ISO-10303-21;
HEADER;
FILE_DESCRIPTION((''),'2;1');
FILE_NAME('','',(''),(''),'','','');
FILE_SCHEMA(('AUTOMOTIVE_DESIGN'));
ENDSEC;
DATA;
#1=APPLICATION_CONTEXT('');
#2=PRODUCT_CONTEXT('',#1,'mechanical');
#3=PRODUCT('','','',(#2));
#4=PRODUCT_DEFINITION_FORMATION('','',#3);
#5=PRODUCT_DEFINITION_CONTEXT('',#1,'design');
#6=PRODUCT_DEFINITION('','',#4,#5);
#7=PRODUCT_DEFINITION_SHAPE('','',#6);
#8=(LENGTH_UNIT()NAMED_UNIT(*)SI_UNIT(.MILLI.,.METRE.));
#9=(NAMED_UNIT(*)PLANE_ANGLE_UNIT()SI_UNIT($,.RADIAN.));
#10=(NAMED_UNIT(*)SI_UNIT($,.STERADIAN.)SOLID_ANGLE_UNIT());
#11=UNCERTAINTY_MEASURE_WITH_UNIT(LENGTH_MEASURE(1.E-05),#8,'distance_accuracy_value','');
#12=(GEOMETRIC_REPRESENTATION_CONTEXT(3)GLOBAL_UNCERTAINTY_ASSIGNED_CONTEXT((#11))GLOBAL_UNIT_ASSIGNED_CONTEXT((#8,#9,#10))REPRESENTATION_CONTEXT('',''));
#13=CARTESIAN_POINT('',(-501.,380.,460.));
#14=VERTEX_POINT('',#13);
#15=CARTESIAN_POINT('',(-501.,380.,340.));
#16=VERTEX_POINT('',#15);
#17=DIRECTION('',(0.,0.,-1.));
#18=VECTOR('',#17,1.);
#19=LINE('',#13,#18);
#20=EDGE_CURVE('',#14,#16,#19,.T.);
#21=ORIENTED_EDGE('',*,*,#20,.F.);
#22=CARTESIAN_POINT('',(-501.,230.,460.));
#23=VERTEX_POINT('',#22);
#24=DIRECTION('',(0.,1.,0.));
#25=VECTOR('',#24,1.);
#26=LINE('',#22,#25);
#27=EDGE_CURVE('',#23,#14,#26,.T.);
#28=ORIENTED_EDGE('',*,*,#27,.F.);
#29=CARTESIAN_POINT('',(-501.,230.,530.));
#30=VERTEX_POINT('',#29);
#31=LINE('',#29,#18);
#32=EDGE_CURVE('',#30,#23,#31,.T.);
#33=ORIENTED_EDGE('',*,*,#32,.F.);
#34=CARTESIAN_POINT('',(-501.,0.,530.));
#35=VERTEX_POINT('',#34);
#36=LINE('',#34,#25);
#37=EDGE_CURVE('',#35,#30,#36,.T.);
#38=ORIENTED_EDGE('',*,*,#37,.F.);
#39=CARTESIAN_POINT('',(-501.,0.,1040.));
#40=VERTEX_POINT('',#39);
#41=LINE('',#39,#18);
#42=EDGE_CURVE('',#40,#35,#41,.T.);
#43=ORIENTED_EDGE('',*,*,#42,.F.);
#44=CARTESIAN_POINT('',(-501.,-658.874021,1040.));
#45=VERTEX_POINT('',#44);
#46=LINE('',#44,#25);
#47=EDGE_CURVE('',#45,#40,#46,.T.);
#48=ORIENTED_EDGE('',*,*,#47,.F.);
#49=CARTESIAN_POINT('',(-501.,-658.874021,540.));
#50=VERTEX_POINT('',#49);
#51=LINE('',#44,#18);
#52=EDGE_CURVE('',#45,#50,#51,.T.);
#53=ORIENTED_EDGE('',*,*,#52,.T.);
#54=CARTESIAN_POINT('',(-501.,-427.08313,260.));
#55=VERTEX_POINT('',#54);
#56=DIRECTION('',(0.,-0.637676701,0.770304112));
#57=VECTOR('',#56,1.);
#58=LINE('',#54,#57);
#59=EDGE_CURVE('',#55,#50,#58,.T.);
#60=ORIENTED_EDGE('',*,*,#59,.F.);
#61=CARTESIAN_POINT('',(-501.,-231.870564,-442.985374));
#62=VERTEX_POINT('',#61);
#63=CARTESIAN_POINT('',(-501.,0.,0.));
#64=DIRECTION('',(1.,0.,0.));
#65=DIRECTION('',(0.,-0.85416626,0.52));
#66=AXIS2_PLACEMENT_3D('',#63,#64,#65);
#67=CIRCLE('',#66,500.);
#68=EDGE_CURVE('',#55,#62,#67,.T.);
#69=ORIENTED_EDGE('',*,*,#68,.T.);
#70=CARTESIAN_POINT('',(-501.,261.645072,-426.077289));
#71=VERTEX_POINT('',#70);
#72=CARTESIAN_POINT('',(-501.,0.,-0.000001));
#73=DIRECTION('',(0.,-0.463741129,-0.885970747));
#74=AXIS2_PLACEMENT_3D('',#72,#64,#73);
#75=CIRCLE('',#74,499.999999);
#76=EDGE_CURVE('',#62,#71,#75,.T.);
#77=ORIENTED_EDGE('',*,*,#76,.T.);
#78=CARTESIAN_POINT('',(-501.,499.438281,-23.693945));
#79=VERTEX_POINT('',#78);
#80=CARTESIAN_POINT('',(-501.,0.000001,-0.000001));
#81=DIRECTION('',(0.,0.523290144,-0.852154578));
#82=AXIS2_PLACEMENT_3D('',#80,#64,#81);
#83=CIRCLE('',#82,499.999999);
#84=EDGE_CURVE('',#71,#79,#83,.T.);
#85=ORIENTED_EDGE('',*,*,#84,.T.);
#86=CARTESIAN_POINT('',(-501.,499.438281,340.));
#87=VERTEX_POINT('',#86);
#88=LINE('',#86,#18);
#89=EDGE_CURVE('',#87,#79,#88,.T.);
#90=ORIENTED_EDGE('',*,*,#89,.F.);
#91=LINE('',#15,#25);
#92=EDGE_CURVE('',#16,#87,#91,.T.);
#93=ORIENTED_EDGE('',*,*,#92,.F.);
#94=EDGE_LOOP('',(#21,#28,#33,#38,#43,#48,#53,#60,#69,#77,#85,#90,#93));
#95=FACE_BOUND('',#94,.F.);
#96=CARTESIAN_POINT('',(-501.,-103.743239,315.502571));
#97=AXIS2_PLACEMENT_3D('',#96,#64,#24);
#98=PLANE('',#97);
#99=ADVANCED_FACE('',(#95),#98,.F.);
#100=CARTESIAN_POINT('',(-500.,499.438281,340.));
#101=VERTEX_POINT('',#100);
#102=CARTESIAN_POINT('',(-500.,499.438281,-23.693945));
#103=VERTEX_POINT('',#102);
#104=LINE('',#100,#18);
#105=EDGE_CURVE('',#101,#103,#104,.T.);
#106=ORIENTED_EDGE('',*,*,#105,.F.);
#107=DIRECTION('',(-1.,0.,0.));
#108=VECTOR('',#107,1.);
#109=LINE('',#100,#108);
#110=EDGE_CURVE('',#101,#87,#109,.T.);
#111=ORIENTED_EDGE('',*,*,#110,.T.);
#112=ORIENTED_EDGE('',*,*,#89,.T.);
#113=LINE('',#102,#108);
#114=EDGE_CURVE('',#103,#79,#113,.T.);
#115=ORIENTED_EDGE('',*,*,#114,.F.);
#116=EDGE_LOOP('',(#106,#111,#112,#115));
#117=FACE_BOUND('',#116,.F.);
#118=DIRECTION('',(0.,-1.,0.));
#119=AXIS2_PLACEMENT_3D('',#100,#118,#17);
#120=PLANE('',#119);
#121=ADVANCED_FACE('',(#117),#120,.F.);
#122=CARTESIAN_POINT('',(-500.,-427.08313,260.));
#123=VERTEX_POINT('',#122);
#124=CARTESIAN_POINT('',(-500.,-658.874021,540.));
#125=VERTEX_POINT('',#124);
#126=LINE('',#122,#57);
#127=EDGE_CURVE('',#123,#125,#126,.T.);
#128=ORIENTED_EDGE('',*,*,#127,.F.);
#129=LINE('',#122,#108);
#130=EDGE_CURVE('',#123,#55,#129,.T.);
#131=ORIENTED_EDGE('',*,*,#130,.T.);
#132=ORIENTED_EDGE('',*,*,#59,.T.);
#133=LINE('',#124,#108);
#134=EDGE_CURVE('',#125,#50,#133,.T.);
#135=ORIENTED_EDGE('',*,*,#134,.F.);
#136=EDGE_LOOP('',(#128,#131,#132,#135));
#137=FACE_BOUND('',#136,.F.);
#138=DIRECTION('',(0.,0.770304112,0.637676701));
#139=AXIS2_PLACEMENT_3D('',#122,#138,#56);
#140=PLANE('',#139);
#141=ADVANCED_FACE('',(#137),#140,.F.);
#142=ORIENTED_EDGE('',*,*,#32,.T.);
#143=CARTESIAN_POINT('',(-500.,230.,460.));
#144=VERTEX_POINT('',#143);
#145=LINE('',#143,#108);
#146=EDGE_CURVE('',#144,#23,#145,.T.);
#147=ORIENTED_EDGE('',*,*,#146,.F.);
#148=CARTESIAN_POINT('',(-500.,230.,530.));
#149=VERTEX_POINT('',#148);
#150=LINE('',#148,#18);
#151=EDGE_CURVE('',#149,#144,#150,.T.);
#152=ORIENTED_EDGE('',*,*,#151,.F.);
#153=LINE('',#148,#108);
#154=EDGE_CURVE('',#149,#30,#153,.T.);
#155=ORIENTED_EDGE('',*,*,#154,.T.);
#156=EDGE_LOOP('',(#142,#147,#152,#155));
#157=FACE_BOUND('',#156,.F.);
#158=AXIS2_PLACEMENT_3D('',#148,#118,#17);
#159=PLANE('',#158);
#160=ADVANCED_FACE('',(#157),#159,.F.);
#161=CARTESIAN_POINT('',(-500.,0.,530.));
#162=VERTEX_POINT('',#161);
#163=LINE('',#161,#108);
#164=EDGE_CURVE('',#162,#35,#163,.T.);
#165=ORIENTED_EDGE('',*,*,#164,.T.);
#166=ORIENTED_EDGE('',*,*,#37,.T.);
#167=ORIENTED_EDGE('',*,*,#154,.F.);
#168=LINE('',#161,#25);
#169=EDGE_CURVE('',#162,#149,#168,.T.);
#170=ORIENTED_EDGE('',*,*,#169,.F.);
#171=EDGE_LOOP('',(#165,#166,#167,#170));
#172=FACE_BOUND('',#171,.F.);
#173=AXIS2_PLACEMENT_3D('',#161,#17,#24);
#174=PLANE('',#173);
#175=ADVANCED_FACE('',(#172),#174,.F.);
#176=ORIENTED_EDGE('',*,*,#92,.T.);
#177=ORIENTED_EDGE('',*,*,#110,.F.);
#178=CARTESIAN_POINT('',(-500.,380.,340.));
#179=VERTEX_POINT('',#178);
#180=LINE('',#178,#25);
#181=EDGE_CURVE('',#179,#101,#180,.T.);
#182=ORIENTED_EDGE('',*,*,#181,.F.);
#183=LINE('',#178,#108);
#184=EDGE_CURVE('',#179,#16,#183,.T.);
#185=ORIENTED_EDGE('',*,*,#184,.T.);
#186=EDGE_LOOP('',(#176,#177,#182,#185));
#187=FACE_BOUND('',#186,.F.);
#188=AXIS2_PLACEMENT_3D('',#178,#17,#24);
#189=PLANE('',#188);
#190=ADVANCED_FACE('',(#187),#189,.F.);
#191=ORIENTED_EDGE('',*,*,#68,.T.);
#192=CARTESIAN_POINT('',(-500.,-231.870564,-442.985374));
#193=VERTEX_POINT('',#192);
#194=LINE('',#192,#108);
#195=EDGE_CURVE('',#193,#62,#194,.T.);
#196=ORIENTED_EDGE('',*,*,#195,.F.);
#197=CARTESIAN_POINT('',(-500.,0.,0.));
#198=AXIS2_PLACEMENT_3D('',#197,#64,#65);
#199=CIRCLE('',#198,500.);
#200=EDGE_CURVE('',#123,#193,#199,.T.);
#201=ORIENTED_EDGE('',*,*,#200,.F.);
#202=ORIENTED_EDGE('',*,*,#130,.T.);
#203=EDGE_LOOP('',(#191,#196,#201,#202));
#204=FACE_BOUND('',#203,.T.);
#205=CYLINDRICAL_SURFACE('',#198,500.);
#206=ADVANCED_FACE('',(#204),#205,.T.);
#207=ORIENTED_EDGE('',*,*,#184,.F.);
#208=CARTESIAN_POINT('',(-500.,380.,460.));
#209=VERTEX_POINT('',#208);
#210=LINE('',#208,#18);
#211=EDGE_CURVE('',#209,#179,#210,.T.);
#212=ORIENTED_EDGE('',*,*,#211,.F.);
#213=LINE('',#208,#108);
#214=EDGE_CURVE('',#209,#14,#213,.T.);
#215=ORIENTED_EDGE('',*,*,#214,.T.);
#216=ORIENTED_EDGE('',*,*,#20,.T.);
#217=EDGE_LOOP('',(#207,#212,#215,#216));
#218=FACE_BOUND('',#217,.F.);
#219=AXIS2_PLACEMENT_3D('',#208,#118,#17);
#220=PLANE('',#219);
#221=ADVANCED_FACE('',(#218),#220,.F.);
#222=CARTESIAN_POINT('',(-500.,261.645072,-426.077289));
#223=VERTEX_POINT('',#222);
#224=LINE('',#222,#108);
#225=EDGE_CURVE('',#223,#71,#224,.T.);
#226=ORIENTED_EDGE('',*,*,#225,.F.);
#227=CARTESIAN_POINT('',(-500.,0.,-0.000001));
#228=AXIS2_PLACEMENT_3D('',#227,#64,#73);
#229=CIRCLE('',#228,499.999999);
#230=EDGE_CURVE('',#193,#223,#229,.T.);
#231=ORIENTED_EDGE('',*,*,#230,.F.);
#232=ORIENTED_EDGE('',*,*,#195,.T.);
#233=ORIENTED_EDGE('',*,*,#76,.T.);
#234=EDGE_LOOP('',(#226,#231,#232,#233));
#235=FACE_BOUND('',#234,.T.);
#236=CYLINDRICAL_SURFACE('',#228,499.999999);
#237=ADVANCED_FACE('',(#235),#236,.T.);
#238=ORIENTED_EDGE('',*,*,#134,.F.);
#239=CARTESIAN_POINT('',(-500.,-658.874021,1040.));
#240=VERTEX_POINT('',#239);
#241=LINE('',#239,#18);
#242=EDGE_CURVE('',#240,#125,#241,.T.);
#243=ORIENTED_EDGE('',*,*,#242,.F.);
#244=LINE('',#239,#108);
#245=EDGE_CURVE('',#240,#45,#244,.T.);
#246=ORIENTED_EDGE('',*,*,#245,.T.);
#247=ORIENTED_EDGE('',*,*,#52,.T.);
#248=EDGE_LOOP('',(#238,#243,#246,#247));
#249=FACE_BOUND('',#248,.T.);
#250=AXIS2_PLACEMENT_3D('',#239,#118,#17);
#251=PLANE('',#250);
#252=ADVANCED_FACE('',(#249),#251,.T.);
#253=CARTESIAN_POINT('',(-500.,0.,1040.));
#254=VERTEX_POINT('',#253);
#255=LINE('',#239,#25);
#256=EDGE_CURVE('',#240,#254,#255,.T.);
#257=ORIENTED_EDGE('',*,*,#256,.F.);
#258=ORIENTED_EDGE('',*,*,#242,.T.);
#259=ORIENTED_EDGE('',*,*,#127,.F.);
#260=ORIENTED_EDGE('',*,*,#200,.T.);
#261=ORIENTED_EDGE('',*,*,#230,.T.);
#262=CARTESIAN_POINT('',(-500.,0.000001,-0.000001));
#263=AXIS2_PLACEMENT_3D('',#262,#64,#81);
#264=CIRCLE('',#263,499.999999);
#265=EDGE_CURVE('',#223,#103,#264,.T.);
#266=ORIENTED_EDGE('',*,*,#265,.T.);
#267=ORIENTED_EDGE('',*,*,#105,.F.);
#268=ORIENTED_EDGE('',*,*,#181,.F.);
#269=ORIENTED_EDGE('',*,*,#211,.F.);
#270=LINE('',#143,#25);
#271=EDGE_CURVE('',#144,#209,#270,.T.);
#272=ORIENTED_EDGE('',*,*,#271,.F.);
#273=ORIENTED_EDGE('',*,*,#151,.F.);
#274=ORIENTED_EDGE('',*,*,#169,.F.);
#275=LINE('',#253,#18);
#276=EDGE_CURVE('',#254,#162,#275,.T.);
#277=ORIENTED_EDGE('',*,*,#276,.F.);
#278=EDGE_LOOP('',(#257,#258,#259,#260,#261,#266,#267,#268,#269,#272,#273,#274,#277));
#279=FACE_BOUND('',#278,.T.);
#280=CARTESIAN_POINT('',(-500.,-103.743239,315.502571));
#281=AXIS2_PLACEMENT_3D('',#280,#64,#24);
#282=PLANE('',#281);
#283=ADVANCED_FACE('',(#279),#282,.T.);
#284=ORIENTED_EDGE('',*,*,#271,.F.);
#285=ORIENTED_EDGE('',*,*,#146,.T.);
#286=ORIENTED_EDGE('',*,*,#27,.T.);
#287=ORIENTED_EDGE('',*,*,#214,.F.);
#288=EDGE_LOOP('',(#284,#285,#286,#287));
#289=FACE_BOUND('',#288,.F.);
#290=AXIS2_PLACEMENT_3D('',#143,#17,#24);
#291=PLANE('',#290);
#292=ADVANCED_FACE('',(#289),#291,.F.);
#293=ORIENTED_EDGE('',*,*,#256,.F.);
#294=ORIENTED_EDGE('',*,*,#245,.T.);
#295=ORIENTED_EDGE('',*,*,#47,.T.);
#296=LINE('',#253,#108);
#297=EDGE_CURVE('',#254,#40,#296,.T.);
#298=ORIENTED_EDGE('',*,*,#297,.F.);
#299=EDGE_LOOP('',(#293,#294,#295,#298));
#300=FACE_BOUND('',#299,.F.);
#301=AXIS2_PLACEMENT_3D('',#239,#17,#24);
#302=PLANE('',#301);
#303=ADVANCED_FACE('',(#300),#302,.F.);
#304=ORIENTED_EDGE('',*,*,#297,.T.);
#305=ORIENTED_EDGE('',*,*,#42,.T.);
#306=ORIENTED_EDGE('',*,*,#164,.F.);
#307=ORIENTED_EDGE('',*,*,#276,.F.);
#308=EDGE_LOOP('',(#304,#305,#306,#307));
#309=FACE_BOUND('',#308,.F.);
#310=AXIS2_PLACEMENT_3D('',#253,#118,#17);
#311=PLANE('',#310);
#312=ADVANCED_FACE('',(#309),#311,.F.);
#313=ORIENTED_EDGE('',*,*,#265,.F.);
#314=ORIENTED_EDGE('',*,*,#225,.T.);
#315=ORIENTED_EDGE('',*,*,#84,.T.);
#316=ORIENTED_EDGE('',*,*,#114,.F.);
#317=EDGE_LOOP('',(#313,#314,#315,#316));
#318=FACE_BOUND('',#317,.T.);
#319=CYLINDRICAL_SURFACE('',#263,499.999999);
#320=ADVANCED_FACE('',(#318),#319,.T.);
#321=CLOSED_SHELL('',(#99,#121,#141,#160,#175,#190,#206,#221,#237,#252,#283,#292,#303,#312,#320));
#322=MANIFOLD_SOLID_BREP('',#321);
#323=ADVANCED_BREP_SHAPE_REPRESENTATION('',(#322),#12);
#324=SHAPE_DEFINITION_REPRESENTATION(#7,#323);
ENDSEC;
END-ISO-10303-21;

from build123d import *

# Parameters (mm, degrees)
PAD_DEPTH = 1


with BuildPart() as part:
    # Sketch → Pad (new body)
    with BuildSketch(Plane.YZ.offset(-500)):
        with BuildLine():
            ThreePointArc((-427.08313, 260), (-481.76976, -133.783027), (-231.870564, -442.985374))
            ThreePointArc((-231.870564, -442.985374), (17.120198, -499.706813), (261.645072, -426.077289))
            ThreePointArc((261.645072, -426.077289), (430.453315, -254.381492), (499.438281, -23.693945))
            Line((499.438281, 340), (499.438281, -23.693945))
            Line((380, 340), (499.438281, 340))
            Line((380, 460), (380, 340))
            Line((230, 460), (380, 460))
            Line((230, 530), (230, 460))
            Line((0, 530), (230, 530))
            Line((0, 1040), (0, 530))
            Line((-658.874021, 1040), (0, 1040))
            Line((-658.874021, 1040), (-658.874021, 540))
            Line((-427.08313, 260), (-658.874021, 540))
        make_face()
    extrude(amount=-PAD_DEPTH)


solid = part.part
